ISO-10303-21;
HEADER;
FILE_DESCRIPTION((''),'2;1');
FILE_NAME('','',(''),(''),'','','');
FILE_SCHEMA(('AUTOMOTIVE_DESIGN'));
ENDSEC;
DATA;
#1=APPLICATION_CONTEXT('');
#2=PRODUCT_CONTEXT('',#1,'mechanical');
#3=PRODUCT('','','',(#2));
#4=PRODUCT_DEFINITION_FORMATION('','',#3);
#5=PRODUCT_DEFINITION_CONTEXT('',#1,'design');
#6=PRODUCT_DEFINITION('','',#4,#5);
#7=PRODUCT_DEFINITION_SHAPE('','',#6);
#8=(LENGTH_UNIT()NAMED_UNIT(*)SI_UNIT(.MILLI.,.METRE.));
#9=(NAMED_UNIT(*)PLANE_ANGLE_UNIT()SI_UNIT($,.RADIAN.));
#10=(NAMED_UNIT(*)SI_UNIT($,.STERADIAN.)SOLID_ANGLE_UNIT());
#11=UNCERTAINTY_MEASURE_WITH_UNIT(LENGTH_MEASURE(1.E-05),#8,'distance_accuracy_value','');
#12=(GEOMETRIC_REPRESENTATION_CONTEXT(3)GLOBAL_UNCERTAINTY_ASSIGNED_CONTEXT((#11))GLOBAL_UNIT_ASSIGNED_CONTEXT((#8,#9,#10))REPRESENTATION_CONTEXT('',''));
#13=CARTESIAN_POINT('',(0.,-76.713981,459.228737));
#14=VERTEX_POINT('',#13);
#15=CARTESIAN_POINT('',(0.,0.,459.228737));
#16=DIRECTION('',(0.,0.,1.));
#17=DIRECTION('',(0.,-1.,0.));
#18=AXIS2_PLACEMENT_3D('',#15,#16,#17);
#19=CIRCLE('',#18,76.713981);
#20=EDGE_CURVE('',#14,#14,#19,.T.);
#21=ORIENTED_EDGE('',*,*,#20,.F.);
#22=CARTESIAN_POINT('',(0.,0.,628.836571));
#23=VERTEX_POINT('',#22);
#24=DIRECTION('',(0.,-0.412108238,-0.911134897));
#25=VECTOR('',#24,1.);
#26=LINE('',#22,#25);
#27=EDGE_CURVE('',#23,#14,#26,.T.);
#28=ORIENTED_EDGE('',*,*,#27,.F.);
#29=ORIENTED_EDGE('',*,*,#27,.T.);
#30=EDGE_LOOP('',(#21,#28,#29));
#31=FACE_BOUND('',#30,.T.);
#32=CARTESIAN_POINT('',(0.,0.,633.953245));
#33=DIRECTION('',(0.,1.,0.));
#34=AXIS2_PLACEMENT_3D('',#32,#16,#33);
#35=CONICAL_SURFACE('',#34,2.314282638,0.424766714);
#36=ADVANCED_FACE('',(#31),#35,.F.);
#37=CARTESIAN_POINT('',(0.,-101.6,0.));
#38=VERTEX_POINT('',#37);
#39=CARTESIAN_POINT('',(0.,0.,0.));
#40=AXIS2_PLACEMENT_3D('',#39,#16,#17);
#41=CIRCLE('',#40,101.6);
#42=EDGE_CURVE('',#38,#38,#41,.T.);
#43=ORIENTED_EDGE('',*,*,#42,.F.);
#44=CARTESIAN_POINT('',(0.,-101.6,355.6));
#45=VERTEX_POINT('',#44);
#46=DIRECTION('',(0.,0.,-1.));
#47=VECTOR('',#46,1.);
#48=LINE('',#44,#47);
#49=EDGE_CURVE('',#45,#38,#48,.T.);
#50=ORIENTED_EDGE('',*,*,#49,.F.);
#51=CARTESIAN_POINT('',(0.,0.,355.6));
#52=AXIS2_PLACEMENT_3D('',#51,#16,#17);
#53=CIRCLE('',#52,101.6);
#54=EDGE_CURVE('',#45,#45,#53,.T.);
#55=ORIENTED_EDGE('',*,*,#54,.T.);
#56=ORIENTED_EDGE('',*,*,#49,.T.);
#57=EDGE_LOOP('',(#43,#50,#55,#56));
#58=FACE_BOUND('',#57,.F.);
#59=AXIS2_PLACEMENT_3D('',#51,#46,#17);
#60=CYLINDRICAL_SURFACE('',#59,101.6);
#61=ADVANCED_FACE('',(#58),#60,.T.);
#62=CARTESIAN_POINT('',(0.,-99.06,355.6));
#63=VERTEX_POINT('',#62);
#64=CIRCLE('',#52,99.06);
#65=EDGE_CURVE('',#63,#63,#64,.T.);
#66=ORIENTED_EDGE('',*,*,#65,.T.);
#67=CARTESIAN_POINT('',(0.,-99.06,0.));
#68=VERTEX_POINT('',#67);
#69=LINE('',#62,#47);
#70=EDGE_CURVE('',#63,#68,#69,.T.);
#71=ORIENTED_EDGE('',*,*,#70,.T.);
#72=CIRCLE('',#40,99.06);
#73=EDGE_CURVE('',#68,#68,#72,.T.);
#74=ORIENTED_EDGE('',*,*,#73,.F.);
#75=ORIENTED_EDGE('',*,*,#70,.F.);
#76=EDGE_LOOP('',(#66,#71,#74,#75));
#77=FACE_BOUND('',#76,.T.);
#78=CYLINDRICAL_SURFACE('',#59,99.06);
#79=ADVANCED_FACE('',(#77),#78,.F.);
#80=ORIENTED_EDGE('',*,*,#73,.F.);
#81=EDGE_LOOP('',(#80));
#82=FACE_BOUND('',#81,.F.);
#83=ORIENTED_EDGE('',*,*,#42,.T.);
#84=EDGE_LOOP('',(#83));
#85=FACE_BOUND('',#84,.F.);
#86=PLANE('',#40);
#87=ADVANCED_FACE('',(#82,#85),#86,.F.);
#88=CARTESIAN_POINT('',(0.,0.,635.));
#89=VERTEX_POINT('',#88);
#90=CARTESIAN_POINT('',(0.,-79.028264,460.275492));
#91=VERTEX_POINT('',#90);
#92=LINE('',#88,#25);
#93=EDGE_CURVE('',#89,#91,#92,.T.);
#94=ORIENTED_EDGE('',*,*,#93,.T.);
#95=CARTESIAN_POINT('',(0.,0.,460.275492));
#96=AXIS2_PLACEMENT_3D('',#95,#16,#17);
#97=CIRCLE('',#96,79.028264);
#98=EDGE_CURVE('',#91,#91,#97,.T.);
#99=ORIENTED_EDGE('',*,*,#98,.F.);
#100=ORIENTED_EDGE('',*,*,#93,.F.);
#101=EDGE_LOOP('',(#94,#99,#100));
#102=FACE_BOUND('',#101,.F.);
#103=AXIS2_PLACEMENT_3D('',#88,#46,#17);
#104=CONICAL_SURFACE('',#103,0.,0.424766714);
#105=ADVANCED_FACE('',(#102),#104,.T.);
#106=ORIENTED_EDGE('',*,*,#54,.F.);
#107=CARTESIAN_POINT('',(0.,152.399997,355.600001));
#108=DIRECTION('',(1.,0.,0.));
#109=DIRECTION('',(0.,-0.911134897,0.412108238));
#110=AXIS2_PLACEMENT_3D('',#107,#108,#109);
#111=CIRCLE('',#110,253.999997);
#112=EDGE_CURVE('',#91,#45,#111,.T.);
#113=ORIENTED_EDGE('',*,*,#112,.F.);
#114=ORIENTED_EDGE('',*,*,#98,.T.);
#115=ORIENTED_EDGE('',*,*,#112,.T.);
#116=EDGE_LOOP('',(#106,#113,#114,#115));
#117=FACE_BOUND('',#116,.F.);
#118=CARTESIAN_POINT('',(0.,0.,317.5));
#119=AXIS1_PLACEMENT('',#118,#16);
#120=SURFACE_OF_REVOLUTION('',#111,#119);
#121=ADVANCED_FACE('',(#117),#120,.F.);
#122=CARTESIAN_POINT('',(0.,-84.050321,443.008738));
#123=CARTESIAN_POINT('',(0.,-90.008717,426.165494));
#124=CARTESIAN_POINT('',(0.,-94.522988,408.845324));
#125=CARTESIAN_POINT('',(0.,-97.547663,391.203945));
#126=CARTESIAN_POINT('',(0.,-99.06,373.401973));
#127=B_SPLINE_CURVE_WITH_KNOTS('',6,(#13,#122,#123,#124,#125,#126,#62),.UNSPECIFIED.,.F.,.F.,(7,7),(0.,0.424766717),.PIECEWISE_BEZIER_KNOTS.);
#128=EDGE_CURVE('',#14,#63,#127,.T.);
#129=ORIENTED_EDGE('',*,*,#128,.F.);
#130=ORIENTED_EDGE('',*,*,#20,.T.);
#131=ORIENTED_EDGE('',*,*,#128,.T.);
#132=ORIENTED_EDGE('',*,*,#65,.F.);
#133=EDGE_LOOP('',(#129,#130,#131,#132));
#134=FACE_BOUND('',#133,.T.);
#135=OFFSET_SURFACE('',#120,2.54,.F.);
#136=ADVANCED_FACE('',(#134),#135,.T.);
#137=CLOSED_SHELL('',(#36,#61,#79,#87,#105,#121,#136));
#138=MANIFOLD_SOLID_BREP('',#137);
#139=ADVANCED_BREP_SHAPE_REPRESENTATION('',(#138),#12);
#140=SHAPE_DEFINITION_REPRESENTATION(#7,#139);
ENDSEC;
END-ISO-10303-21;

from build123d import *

# Parameters (mm, degrees)
F2_T = -2.54


with BuildPart() as f1:
    # F0 (on Right) → F1 (revolve)
    with BuildSketch(Plane.YZ):
        with BuildLine():
            Line((-101.6, 0), (0, 0))
            Line((0, 0), (0, 635))
            Line((0, 635), (-79.028264, 460.275492))
            ThreePointArc((-79.028264, 460.275492), (-95.892951, 409.140737), (-101.6, 355.6))
            Line((-101.6, 355.6), (-101.6, 0))
        make_face()
    revolve(axis=Axis((0, 0, 317.5), (0, 0, 1)))

    # F2
    f2_openings = [f1.faces().sort_by_distance(p)[0] for p in [
        (0, 0, 0),
    ]]
    offset(amount=F2_T, openings=f2_openings)


solid = f1.part
